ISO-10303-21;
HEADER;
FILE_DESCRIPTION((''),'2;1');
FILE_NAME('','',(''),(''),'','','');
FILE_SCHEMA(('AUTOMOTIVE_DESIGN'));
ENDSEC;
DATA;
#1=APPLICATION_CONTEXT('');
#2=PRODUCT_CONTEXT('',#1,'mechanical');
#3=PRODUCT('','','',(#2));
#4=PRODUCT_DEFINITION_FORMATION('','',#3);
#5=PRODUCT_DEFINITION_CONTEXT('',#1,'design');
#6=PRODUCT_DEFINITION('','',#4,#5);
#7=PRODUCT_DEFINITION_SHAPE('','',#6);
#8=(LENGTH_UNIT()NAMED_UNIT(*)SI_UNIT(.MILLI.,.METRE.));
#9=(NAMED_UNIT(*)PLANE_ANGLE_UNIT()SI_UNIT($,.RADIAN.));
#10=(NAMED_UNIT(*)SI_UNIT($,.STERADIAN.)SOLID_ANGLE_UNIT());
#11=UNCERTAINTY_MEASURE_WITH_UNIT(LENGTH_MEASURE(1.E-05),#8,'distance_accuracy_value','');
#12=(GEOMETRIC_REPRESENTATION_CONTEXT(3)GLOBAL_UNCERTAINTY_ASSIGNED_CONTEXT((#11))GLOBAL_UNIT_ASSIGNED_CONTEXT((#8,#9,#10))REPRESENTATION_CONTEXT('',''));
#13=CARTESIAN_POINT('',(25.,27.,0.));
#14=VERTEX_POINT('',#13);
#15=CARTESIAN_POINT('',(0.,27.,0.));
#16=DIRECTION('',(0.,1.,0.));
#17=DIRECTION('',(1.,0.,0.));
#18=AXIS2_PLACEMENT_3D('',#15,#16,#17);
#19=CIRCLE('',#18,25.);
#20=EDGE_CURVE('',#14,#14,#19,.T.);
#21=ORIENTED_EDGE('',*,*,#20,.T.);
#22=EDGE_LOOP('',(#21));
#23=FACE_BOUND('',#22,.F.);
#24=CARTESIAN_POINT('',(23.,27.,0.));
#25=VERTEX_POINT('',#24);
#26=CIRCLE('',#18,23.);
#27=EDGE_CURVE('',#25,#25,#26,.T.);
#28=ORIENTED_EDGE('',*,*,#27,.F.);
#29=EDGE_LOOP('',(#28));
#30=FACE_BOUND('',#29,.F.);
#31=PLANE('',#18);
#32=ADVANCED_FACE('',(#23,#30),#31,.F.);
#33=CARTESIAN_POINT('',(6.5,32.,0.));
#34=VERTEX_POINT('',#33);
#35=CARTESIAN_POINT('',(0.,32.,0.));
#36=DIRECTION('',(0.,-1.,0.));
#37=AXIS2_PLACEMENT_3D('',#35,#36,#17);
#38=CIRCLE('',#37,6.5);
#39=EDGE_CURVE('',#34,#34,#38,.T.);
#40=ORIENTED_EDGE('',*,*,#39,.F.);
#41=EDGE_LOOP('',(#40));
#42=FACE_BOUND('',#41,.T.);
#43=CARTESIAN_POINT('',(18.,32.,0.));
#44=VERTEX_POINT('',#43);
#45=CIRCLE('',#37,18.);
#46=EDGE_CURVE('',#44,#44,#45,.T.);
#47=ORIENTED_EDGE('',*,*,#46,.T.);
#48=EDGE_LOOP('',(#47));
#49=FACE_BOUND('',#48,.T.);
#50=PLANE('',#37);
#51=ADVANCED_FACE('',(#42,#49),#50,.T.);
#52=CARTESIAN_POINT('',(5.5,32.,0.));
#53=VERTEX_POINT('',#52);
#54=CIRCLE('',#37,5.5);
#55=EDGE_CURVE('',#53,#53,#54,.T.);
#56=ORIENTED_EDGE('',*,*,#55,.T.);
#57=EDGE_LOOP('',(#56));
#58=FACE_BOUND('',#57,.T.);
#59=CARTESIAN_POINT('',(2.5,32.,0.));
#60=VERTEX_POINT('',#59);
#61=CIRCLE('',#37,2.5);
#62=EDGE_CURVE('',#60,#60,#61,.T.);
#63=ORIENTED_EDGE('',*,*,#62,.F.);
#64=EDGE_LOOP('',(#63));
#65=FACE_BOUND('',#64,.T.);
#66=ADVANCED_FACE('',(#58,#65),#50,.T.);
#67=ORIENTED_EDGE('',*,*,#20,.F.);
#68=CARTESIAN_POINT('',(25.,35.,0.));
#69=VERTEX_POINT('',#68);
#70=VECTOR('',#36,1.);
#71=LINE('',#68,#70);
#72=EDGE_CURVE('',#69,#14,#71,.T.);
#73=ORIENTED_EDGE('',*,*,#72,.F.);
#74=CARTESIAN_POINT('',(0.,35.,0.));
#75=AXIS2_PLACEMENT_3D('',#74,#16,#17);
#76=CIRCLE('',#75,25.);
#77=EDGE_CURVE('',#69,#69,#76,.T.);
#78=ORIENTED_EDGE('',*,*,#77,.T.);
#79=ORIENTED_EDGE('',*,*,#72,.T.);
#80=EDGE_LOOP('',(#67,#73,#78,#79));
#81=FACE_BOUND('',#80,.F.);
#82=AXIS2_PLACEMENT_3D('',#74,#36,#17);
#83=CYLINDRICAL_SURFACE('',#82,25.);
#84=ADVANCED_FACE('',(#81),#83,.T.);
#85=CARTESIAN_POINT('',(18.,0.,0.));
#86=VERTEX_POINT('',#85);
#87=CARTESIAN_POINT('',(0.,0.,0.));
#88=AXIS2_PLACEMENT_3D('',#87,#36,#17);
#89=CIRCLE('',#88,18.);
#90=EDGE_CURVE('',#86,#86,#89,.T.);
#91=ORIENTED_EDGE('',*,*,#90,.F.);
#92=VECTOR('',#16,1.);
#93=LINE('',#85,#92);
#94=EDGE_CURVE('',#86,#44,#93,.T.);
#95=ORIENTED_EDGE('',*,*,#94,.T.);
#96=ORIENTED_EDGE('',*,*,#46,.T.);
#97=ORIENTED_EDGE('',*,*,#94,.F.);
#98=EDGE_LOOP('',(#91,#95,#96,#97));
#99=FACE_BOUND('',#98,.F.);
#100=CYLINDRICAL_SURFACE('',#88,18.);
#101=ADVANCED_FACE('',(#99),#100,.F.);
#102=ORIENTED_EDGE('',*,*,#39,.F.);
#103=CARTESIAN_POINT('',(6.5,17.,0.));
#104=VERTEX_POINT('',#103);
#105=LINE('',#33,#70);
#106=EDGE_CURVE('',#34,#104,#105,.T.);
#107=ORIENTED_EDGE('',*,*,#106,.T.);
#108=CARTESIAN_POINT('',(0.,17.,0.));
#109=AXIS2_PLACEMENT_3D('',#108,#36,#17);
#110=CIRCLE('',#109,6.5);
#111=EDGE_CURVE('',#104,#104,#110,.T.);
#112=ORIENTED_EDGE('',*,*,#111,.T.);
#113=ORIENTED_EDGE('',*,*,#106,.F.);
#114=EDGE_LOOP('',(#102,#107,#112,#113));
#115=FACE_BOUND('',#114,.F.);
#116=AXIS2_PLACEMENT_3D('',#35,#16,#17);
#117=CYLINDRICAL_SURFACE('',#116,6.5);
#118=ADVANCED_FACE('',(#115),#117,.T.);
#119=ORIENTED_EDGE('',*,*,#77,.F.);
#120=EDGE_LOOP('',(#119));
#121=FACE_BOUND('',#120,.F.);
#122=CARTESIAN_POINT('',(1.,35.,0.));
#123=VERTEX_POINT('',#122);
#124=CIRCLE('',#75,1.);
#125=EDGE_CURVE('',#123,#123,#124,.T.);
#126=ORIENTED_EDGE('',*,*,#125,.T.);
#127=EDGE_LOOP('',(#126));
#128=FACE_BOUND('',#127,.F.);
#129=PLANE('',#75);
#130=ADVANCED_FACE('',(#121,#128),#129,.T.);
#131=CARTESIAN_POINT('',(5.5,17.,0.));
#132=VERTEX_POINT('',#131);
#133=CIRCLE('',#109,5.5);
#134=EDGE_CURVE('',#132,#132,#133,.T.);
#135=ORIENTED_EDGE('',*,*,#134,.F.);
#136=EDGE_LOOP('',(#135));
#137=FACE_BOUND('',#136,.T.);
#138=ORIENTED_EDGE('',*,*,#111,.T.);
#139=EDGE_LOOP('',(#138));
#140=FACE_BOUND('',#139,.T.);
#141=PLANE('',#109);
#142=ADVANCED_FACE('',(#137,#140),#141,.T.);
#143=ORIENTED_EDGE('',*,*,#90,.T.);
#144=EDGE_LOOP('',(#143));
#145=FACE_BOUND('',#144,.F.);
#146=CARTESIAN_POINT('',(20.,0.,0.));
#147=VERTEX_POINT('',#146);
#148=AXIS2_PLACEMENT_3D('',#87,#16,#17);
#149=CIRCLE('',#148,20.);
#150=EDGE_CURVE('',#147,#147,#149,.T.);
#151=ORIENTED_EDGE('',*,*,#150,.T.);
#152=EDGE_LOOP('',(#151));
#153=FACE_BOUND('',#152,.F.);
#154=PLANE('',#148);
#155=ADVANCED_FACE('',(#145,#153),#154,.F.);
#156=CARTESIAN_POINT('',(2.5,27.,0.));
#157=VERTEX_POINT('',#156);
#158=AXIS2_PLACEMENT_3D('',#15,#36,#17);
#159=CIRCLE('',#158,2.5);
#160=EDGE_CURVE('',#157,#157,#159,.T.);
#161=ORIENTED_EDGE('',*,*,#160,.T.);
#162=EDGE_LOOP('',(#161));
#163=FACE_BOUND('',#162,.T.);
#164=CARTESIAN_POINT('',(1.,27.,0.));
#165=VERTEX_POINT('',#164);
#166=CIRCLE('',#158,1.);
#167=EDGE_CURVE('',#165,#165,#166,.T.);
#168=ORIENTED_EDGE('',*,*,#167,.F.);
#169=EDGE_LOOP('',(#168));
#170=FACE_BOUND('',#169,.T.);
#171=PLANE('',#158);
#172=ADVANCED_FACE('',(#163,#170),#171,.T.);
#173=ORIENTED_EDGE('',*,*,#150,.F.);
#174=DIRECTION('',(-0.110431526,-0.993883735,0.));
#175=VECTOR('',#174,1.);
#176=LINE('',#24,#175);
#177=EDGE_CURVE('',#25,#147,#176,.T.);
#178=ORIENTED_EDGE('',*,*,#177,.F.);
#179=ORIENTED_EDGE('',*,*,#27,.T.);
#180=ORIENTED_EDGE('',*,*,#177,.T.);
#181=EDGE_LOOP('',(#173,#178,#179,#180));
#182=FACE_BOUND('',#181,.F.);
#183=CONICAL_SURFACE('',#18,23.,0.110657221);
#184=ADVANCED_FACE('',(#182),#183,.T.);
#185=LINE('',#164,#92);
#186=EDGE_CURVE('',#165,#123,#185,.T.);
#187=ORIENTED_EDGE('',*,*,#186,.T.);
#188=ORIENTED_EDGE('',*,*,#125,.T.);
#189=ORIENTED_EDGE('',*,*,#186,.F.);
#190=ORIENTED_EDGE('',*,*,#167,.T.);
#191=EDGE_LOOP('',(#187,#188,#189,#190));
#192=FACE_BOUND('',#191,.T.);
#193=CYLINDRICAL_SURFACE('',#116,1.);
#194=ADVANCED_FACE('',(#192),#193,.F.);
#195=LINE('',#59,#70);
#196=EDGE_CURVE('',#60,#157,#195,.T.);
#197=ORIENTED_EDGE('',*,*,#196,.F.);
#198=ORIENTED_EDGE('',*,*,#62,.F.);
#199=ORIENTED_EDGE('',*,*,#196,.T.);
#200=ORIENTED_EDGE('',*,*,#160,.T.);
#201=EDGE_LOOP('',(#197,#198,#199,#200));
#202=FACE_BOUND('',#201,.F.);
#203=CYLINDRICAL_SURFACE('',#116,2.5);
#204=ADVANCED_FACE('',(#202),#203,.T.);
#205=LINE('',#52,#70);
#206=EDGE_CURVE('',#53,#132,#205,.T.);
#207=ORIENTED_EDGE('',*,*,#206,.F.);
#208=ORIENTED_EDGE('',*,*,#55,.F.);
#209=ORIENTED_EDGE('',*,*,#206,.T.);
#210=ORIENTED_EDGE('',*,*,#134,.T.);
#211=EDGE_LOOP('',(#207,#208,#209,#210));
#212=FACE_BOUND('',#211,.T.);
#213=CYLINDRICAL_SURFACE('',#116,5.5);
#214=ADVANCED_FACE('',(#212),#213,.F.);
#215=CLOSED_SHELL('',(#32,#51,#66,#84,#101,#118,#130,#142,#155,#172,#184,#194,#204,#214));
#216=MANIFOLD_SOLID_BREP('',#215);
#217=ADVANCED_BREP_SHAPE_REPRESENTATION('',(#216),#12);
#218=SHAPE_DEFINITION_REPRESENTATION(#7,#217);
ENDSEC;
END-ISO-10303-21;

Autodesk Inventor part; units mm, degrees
ref_plane "YZ Plane" through (0, 0, 0) normal (1, 0, 0) x (0, 1, 0)
ref_plane "XZ Plane" through (0, 0, 0) normal (0, 1, 0) x (-1, 0, 0)
ref_plane "XY Plane" through (0, 0, 0) normal (0, 0, 1) x (1, 0, 0)
sketch "Sketch2" plane through (0, 0, 0) normal (0, 0, 1) x (1, 0, 0)
  line L0 (0, 0) -> (0, 35)
  line L1 (0, 35) -> (25, 35)
  line L2 (25, 35) -> (25, 27)
  line L3 (25, 27) -> (23, 27)
  line L4 (23, 27) -> (20, 0)
  line L5 (20, 0) -> (0, 0)
  dimension "d1" = 20
  dimension "d2" = 25
  dimension "d3" = 2
  dimension "d4" = 8
  dimension "d5" = 35
revolve "Revolution1" add sketch "Sketch2" angle 360 about axis through (0, 0, 0) along (0, 1, 0)
sketch "Sketch3" plane through (0, 35, 0) normal (0, 1, 0) x (1, 0, 0)
  circle A0 centre (0, 0) radius 25 projected
  circle A1 centre (0, 0) radius 1
  dimension "d7" = 2
extrude "Extrusion1" cut sketch "Sketch3" against normal through all contours A1
sketch "Sketch4" plane through (0, 0, 0) normal (0, -1, 0) x (1, 0, 0)
  circle A0 centre (0, 0) radius 1 projected
  circle A1 centre (0, 0) radius 20 projected
  circle A2 centre (0, 0) radius 18
  dimension "d10" = 2
  dimension "potOpeningDia" = 36
extrude "Extrusion2" cut sketch "Sketch4" against normal blind 32 contours A2
sketch "Sketch5" plane through (0, 32, 0) normal (0, -1, 0) x (1, 0, 0)
  circle A0 centre (0, 0) radius 1 projected
  circle A1 centre (0, 0) radius 18 projected
  circle A2 centre (0, 0) radius 2.5
  dimension "d13" = 5
extrude "Extrusion3" add sketch "Sketch5" along normal blind 5 contours A2
sketch "Sketch6" plane through (0, 32, 0) normal (0, -1, 0) x (1, 0, 0)
  circle A0 centre (0, 0) radius 18 projected
  circle A1 centre (0, 0) radius 5.5
  circle A2 centre (0, 0) radius 6.5
  dimension "d17" = 11
  dimension "d18" = 1
extrude "Extrusion4" add sketch "Sketch6" along normal blind 15 contours A2
properties part number "pot"
